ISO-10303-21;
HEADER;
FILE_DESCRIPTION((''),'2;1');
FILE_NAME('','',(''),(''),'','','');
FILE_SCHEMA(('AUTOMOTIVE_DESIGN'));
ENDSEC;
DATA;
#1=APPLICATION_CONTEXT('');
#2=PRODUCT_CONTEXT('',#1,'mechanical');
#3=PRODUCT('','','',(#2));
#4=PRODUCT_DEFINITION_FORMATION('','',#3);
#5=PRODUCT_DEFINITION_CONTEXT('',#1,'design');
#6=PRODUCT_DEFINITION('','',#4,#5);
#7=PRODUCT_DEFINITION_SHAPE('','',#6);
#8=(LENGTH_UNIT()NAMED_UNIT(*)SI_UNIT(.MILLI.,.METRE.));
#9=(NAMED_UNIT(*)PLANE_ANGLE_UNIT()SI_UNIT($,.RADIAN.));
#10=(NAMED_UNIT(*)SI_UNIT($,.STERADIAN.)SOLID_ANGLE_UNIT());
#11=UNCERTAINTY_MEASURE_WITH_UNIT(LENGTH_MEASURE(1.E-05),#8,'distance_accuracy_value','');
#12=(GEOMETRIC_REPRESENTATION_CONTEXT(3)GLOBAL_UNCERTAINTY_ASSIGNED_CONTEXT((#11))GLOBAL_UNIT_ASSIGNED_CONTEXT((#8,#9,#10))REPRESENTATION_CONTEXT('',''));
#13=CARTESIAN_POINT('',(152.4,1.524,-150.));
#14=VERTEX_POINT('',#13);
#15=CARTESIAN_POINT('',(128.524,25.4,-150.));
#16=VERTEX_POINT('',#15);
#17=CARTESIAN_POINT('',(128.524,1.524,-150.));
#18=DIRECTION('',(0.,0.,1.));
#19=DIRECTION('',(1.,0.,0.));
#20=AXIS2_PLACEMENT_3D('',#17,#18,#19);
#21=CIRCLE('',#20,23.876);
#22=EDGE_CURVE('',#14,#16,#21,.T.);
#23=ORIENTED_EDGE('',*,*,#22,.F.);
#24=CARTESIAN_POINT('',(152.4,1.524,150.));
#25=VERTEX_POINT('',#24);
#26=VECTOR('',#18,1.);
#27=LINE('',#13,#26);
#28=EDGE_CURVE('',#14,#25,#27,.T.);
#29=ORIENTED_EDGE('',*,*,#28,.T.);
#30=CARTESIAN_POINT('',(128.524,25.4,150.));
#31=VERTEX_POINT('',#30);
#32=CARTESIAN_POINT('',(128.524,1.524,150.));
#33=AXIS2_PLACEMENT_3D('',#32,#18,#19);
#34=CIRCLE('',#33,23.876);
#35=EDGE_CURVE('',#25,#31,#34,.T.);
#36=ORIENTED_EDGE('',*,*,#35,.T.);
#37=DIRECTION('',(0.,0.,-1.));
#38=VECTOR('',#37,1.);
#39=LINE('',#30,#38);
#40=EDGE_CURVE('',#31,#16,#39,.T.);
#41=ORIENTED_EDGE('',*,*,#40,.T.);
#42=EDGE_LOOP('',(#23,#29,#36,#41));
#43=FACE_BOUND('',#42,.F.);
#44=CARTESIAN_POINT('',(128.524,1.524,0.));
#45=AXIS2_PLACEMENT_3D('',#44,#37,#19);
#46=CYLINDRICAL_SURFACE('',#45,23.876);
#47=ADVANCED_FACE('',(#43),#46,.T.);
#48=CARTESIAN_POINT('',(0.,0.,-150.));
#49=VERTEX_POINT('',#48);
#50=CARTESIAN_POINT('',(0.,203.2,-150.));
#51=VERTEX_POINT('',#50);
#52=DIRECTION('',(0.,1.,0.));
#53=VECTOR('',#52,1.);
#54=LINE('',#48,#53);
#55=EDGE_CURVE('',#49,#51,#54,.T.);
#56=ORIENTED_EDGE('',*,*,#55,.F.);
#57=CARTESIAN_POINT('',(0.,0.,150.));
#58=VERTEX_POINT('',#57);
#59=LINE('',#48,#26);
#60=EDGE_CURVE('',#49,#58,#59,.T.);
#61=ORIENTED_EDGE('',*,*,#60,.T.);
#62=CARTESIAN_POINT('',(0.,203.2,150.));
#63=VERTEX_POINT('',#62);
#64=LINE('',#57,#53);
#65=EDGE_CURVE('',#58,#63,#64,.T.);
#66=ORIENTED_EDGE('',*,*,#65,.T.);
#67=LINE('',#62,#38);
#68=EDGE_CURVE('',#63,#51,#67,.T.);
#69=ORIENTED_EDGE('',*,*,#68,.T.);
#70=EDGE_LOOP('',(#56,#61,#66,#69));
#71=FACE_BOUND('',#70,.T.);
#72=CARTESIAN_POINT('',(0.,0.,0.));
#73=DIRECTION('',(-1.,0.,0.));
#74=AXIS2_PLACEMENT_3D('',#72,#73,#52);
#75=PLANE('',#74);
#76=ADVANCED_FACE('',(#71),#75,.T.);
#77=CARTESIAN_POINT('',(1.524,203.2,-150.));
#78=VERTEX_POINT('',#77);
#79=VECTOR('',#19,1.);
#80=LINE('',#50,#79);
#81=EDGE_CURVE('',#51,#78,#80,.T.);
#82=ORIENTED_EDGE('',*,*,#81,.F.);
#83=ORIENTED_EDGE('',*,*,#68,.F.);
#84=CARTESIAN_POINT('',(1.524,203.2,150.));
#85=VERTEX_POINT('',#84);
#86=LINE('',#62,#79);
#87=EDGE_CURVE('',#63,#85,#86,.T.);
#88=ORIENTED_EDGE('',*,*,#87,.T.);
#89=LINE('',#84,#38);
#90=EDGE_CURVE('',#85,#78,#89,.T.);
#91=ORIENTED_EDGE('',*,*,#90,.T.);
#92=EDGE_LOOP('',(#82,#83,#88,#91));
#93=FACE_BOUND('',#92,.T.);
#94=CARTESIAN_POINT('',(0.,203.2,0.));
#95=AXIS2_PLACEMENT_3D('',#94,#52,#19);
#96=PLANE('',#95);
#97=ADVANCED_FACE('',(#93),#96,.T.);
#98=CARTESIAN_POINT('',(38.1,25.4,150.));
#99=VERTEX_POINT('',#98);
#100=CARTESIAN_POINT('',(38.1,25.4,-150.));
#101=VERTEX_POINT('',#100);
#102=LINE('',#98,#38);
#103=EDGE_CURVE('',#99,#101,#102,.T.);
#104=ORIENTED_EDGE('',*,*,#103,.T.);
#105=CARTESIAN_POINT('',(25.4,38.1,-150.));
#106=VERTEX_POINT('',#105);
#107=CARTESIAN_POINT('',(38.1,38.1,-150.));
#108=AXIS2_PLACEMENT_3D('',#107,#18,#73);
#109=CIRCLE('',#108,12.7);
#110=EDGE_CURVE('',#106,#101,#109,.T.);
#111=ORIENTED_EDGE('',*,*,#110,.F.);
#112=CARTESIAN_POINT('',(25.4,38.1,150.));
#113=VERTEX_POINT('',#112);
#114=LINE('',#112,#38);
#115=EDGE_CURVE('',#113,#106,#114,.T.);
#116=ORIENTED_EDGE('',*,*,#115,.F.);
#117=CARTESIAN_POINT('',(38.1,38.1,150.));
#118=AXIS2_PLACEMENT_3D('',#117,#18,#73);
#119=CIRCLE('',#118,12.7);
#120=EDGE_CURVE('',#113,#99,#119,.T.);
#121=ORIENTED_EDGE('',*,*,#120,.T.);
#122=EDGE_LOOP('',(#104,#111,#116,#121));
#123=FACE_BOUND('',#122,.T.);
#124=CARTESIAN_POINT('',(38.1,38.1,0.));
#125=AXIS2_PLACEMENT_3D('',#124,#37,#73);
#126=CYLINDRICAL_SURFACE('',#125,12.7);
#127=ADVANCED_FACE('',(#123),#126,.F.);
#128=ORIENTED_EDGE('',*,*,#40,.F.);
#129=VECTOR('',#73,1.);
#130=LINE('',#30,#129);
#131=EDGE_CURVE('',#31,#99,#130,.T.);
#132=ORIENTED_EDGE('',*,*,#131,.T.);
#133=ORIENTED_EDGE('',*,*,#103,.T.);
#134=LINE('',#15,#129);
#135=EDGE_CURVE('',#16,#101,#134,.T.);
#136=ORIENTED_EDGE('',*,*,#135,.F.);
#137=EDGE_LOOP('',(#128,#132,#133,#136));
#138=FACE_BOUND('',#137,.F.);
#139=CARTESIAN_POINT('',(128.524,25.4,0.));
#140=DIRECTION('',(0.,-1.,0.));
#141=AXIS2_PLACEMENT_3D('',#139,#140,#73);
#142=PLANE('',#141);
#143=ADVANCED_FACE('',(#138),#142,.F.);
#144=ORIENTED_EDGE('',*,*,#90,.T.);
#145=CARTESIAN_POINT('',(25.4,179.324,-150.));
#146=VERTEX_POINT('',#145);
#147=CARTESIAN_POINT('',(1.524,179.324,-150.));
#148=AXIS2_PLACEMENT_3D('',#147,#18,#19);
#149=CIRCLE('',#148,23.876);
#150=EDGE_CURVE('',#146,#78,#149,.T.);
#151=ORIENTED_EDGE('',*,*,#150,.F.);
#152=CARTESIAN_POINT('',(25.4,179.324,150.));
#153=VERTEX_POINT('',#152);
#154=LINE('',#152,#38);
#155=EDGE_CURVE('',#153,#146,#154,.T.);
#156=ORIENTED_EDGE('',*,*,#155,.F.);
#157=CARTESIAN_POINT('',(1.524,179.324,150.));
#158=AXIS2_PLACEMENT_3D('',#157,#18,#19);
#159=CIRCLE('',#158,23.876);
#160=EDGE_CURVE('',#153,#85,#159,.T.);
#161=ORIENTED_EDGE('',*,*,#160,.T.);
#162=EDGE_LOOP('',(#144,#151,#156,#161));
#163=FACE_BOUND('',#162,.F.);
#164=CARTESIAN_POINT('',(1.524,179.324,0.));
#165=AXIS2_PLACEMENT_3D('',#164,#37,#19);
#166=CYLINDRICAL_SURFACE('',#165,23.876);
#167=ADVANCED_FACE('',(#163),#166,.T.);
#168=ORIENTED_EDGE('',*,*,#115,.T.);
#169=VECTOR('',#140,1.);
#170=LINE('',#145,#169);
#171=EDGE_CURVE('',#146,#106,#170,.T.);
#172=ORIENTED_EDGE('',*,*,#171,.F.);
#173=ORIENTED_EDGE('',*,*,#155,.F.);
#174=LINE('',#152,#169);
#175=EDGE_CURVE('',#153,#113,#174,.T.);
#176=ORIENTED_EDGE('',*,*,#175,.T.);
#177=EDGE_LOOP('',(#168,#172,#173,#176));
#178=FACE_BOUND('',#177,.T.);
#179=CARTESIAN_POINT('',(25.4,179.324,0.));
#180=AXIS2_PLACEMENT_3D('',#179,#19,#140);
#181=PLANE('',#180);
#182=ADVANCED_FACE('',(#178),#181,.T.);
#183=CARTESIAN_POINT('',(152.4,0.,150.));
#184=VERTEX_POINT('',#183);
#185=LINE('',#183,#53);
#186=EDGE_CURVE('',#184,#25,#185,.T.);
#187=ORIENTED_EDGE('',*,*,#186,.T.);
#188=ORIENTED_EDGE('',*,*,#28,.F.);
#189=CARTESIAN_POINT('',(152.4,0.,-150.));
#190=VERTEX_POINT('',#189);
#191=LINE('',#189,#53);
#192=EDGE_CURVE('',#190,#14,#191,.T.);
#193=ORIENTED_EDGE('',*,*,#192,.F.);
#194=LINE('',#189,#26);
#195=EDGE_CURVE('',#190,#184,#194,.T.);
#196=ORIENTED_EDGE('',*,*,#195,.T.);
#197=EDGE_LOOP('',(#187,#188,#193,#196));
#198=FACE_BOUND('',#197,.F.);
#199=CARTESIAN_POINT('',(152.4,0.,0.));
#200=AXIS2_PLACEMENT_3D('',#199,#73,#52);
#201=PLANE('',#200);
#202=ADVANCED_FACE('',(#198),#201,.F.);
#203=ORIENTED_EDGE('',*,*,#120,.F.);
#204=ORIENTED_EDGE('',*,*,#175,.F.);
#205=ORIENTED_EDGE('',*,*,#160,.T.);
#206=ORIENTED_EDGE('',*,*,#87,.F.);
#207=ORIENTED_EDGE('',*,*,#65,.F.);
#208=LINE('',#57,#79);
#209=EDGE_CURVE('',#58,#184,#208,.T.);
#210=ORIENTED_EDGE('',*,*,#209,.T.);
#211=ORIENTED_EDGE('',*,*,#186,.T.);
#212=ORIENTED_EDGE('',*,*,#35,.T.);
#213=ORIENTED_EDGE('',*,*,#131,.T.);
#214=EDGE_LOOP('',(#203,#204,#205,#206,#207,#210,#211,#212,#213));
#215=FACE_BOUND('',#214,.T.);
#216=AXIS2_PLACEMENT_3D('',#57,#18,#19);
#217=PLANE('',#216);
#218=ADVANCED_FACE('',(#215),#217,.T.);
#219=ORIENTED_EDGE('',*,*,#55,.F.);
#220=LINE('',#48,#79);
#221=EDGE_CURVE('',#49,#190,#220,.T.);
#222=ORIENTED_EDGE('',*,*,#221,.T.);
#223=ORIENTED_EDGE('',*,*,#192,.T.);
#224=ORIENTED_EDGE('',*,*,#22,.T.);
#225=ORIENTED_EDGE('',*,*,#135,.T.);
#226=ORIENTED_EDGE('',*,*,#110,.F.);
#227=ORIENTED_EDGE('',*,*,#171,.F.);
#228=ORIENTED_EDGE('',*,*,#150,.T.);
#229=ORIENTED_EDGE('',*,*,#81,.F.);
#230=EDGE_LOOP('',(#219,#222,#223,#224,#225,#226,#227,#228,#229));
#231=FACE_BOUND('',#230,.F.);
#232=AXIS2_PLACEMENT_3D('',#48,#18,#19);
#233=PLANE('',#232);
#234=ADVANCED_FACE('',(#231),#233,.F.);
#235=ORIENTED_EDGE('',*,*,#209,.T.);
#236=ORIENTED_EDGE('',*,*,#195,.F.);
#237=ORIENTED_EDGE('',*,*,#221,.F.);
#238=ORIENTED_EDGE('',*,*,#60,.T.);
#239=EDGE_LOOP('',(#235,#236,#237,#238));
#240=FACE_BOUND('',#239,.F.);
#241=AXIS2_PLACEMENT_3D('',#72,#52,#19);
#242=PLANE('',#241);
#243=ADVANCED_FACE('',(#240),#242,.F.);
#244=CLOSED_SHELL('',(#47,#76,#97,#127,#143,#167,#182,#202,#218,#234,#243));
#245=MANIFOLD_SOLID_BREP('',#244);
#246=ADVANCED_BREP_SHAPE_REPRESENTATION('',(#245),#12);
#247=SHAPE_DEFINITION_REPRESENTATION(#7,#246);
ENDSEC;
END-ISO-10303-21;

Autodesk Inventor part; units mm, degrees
ref_plane "YZ Plane" through (0, 0, 0) normal (1, 0, 0) x (0, 1, 0)
ref_plane "XZ Plane" through (0, 0, 0) normal (0, 1, 0) x (-1, 0, 0)
ref_plane "XY Plane" through (0, 0, 0) normal (0, 0, 1) x (1, 0, 0)
sketch "Sketch1" plane through (0, 0, 0) normal (0, 0, 1) x (1, 0, 0)
  line L0 (0, 0) -> (0, 203.2)
  line L1 (0, 203.2) -> (1.524, 203.2)
  line L2 (25.4, 179.324) -> (25.4, 38.1)
  line L3 (0, 0) -> (152.4, 0)
  line L4 (152.4, 0) -> (152.4, 1.524)
  line L5 (128.524, 25.4) -> (38.1, 25.4)
  arc A0 (25.4, 38.1) -> (38.1, 25.4) centre (38.1, 38.1) ccw
  arc A1 (25.4, 179.324) -> (1.524, 203.2) centre (1.524, 179.324) ccw
  arc A2 (152.4, 1.524) -> (128.524, 25.4) centre (128.524, 1.524) ccw
  line L6 (0, 249.7739) -> (0, -41.629) projected
  line L7 (-31.469, 0) -> (188.8139, 0) projected
  point P0 (0, 0)
  dimension "thickness" = 25.4
  dimension "d3" = 25.4
  dimension "LegSize" = 203.2
  dimension "d5" = 152.4
  dimension "radius" = 12.7
  dimension "d7" = 23.876
  dimension "d8" = 23.876
  dimension "d11" = 0
  dimension "d12" = 0
extrude "6\" X 8\" X 1\"" add sketch "Sketch1" along normal mid plane 300
equation "\"d3\" = thickness"
properties part number "ANGLE IRON, 6 X 8 X 1 THK" material "Angle Iron"
